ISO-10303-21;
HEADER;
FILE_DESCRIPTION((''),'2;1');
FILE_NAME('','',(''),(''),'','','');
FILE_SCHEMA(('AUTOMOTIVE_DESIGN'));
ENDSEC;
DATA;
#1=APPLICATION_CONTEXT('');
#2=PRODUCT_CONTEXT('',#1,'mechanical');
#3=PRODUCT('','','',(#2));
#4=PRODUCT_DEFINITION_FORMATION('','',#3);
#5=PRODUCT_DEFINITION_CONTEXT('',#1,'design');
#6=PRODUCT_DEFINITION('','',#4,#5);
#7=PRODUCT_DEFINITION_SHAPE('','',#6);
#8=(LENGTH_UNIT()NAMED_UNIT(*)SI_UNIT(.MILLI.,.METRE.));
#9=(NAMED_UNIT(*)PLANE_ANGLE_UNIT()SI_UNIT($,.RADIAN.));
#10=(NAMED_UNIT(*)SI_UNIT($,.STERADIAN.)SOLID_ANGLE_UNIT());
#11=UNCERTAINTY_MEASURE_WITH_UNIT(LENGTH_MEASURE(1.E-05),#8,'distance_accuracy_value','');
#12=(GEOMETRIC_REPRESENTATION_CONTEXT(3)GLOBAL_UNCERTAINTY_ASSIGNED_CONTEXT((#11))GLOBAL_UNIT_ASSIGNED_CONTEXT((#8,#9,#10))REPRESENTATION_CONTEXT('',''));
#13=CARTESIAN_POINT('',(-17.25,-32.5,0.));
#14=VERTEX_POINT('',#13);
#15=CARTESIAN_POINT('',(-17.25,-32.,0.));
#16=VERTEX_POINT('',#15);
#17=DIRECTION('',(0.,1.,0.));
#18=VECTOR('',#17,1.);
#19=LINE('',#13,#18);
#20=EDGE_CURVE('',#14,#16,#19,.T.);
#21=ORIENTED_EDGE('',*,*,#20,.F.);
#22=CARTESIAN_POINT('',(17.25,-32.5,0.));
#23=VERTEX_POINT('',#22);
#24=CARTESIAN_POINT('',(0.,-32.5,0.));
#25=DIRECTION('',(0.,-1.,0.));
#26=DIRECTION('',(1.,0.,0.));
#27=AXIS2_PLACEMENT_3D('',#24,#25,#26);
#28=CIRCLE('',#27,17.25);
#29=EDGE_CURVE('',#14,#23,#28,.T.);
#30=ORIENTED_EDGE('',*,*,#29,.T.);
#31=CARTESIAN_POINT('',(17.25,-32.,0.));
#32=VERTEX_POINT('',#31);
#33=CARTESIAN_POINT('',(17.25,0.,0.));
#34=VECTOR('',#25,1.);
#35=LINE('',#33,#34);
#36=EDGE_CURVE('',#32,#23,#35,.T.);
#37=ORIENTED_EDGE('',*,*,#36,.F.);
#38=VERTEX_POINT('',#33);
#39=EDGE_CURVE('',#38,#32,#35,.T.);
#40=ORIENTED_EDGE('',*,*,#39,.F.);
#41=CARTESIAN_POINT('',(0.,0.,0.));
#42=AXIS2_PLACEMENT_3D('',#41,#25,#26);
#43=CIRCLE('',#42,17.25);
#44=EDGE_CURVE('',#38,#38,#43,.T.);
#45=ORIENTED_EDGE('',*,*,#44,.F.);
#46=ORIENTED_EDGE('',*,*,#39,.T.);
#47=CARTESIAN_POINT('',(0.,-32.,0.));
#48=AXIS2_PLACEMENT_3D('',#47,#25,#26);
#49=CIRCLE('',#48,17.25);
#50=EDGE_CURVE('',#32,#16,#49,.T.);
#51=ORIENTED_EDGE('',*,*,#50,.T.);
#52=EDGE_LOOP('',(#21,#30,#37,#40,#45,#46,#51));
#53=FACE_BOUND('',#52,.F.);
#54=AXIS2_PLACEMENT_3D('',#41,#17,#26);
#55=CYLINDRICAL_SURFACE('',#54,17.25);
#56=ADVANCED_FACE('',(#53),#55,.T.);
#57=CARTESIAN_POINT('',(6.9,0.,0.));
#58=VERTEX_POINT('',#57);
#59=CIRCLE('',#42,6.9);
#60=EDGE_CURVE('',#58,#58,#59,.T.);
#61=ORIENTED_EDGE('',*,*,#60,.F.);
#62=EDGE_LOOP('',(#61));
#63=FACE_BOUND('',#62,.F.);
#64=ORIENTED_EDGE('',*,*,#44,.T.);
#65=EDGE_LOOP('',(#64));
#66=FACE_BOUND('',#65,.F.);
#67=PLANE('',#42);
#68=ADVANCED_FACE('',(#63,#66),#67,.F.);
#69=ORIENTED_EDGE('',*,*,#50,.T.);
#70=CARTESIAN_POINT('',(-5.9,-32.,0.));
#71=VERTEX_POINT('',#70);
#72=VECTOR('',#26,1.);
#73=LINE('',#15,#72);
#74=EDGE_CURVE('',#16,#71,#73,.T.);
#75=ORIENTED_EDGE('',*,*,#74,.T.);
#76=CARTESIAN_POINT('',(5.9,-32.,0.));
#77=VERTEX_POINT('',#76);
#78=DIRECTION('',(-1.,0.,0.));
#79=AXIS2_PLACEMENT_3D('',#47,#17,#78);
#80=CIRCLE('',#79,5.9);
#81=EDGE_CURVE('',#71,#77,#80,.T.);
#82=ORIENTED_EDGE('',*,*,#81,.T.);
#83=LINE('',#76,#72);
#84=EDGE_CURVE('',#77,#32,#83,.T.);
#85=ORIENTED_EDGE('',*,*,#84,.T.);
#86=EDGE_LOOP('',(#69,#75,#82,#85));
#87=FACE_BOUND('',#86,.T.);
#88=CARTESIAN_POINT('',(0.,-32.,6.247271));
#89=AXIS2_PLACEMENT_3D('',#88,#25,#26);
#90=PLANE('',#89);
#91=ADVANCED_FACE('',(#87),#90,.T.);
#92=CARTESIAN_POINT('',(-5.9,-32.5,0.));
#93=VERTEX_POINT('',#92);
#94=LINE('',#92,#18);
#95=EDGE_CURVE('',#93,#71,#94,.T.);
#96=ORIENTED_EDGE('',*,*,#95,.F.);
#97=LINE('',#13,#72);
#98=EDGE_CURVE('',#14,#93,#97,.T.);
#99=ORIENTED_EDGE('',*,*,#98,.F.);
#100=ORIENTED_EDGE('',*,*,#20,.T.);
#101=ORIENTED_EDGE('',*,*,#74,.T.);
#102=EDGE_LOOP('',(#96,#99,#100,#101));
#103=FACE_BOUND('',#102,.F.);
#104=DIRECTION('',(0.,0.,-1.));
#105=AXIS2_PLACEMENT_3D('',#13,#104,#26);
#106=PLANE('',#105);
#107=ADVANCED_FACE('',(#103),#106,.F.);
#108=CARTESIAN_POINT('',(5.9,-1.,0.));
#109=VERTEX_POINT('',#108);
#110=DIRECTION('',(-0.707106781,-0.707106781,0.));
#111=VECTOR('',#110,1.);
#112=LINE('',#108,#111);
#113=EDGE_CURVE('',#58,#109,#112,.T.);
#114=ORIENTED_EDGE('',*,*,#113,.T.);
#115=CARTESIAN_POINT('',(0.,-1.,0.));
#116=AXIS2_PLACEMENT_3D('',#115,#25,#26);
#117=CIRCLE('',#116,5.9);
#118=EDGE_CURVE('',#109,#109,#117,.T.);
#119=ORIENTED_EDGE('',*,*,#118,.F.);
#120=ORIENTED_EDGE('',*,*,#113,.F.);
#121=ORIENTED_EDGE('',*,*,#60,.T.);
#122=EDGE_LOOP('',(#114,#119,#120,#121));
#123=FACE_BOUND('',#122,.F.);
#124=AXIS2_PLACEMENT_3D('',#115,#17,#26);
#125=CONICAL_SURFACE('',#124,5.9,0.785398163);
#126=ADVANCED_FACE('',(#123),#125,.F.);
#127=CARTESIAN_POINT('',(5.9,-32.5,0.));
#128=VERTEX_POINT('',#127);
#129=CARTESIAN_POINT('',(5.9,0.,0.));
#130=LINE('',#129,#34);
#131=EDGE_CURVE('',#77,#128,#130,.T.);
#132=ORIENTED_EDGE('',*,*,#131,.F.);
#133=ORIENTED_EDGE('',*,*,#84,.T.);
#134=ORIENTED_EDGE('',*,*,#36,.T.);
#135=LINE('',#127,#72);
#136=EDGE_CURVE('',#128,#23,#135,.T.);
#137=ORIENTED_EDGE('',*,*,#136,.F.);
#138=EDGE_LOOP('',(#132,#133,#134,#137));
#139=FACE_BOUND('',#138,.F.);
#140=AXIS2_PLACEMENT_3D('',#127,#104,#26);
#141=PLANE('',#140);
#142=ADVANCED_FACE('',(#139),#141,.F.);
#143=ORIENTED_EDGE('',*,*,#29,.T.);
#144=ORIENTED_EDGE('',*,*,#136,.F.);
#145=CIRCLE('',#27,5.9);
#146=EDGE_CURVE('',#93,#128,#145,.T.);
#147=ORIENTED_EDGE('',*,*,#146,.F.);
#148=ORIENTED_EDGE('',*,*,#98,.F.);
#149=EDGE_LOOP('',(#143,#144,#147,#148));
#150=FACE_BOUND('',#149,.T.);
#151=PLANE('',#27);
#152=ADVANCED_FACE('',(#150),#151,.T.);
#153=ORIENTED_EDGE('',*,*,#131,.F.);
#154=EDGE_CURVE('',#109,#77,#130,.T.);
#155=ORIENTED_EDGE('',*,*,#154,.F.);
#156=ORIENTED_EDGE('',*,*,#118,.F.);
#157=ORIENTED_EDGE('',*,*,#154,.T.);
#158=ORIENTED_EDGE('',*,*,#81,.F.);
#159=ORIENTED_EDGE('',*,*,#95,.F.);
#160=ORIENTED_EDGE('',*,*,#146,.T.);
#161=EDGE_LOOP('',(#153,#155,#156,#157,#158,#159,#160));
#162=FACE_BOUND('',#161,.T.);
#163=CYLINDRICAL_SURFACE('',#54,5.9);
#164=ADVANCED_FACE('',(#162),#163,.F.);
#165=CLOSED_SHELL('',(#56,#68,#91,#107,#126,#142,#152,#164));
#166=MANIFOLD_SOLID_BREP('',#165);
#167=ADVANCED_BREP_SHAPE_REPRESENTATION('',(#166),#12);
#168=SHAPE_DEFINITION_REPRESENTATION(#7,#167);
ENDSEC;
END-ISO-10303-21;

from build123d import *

# Parameters (mm, degrees)
F0_R     = 17.25
F0_R_2   = 5.9
F1_DEPTH = 32.5
F3_DEPTH = 0.5
F4_SIZE  = 1


with BuildPart() as f1:
    # F0 (on Front) → F1 (new body)
    with BuildSketch(Plane.XZ):
        Circle(F0_R)
        Circle(F0_R_2, mode=Mode.SUBTRACT)
    extrude(amount=F1_DEPTH)

    # F2 (on face) → F3 (cut)
    with BuildSketch(Plane.XZ.offset(32.5)):
        with BuildLine():
            ThreePointArc((-5.9, 0), (0, 5.9), (5.9, 0))
            Line((5.9, 0), (17.25, 0))
            ThreePointArc((17.25, 0), (0, 17.25), (-17.25, 0))
            Line((-17.25, 0), (-5.9, 0))
        make_face()
    extrude(amount=-F3_DEPTH, mode=Mode.SUBTRACT)

    # F4
    f4_edges = [f1.edges().sort_by_distance(p)[0] for p in [
        (-5.9, 0, 0),
    ]]
    chamfer(f4_edges, length=F4_SIZE)


solid = f1.part
